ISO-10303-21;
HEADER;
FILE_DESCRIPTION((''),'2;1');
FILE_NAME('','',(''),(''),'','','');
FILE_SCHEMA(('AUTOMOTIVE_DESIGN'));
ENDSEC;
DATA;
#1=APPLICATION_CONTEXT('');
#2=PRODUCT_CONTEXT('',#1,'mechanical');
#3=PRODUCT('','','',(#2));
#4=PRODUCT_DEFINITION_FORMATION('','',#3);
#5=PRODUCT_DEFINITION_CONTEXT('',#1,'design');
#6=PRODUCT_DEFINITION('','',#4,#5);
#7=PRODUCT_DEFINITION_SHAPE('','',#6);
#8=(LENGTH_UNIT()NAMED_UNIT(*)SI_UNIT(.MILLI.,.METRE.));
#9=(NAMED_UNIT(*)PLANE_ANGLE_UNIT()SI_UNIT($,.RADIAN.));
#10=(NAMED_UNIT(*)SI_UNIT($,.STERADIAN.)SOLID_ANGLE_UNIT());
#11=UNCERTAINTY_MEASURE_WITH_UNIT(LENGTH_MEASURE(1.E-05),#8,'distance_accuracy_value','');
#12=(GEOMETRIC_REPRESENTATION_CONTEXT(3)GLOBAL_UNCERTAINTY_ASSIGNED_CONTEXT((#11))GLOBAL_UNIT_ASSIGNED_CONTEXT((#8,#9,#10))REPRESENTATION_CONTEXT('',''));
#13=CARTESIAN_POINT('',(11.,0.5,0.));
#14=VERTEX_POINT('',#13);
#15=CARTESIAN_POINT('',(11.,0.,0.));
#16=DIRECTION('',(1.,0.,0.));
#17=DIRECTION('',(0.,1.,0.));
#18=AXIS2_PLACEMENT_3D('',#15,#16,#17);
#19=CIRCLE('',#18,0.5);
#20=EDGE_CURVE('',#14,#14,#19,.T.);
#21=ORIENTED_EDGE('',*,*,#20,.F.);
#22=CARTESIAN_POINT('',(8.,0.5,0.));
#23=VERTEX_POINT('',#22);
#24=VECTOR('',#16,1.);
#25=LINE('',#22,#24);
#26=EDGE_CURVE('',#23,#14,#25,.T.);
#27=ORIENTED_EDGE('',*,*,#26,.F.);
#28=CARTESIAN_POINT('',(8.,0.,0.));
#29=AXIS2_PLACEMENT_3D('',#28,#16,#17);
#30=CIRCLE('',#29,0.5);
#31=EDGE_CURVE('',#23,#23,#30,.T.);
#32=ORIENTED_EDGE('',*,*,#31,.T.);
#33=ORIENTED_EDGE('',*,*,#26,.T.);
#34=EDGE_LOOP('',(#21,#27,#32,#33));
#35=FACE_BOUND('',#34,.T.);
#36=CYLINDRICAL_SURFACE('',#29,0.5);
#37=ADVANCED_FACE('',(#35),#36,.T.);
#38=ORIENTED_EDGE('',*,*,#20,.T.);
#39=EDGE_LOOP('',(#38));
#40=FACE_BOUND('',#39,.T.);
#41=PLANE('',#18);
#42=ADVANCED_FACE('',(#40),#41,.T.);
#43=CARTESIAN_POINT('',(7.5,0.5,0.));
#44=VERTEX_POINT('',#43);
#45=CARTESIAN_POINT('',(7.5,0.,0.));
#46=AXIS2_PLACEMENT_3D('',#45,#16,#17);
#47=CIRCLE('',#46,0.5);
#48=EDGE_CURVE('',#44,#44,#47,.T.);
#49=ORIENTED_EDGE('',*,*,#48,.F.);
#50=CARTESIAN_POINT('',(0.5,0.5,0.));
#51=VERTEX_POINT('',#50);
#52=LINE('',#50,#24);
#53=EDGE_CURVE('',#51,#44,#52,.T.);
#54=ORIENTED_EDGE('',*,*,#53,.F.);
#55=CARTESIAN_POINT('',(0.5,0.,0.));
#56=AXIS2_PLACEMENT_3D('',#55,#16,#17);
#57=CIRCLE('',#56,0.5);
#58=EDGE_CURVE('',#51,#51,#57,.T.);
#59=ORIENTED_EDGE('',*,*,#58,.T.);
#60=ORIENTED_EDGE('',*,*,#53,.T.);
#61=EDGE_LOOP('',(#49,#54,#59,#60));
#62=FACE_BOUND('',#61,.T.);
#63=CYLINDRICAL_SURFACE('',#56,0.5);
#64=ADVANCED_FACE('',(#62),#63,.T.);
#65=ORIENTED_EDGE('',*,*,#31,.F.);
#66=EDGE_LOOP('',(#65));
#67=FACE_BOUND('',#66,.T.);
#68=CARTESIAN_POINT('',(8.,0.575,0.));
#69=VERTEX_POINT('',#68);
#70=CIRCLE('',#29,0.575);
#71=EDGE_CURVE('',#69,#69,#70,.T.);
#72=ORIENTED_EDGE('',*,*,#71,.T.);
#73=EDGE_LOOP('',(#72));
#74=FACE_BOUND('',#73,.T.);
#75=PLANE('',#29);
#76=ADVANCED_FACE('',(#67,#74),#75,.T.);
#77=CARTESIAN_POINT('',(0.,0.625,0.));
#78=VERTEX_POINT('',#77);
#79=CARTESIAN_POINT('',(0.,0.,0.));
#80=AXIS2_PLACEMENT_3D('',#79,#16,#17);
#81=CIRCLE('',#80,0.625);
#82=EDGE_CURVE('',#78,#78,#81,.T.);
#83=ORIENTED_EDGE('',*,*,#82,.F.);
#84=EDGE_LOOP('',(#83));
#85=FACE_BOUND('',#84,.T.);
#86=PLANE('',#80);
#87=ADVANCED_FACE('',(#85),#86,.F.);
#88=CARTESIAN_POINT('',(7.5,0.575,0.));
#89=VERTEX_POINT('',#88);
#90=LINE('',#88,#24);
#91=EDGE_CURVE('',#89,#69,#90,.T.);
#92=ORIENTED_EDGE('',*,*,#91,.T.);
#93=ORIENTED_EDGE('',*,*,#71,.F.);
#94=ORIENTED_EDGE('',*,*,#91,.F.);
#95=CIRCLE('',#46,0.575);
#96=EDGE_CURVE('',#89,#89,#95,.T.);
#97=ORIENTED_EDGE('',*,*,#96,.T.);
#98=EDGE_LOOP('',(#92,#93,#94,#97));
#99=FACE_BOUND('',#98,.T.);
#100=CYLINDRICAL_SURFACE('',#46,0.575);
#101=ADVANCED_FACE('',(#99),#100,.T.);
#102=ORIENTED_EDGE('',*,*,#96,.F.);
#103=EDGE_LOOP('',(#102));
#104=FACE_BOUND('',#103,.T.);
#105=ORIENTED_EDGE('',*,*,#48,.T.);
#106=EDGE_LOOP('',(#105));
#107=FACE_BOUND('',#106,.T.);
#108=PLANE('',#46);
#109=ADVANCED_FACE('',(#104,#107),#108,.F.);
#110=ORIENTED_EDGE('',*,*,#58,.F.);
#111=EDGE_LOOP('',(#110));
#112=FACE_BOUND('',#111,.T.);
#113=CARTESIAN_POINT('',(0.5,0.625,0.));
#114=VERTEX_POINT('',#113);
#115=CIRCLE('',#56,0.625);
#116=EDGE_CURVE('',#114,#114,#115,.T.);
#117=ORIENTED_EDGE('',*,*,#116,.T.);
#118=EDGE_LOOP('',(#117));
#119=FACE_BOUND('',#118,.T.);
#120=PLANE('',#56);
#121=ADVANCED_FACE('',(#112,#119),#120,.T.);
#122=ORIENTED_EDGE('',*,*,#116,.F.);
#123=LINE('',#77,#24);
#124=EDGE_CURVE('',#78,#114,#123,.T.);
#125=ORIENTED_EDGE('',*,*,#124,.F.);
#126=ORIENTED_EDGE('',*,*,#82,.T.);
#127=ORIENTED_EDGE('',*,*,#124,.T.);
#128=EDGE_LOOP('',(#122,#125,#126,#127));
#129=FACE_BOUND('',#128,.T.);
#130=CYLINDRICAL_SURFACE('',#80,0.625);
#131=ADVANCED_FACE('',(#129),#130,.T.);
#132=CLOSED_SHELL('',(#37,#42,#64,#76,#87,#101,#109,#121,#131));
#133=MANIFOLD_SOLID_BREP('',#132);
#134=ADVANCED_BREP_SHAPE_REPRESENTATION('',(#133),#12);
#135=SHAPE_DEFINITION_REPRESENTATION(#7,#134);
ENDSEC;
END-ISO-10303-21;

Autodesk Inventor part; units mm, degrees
ref_plane "Start Plane" through (0, 0, 0) normal (1, 0, 0) x (0, 1, 0)
ref_plane "XZ Plane" through (0, 0, 0) normal (0, 1, 0) x (-1, 0, 0)
ref_plane "XY Plane" through (0, 0, 0) normal (0, 0, 1) x (1, 0, 0)
sketch "Main Sketch" plane through (0, 0, 0) normal (0, 0, 1) x (1, 0, 0)
  line L0 (0, 0) -> (11, 0)
  line L1 (0, 0) -> (0, 0.625)
  line L2 (0, 0.625) -> (0.5, 0.625)
  line L3 (0.5, 0.5) -> (7.5, 0.5)
  line L4 (7.5, 0.575) -> (8, 0.575)
  line L5 (8, 0.5) -> (11, 0.5)
  line L6 (11.7188, 0.25) -> (12.2188, 0.25)
  line L7 (12.2188, 0.25) -> (17.2188, 0.25)
  line L8 (19.2188, 0.25) -> (19.2188, 0)
  line L9 (17.2188, 0.25) -> (19.2188, 0.25)
  line L10 (0.5, 0.625) -> (0.5, 0.5)
  line L11 (11, 0.5) -> (11, 0)
  line L12 (7.5, 0.5) -> (7.5, 0.575)
  line L13 (8, 0.575) -> (8, 0.5)
  dimension "d3" = 1.25
  dimension "d4" = 1
  dimension "d5" = 1.15
  dimension "d6" = 1
  dimension "d7" = 0.5
  dimension "d8" = 0.5
  dimension "d9" = 0.5
revolve "Revolution1" add sketch "Main Sketch" angle 360 about axis through (0, 0, 0) along (1, 0, 0)
equation "\"Length\" = 11"
properties part number "Shaft" material "Steel"
